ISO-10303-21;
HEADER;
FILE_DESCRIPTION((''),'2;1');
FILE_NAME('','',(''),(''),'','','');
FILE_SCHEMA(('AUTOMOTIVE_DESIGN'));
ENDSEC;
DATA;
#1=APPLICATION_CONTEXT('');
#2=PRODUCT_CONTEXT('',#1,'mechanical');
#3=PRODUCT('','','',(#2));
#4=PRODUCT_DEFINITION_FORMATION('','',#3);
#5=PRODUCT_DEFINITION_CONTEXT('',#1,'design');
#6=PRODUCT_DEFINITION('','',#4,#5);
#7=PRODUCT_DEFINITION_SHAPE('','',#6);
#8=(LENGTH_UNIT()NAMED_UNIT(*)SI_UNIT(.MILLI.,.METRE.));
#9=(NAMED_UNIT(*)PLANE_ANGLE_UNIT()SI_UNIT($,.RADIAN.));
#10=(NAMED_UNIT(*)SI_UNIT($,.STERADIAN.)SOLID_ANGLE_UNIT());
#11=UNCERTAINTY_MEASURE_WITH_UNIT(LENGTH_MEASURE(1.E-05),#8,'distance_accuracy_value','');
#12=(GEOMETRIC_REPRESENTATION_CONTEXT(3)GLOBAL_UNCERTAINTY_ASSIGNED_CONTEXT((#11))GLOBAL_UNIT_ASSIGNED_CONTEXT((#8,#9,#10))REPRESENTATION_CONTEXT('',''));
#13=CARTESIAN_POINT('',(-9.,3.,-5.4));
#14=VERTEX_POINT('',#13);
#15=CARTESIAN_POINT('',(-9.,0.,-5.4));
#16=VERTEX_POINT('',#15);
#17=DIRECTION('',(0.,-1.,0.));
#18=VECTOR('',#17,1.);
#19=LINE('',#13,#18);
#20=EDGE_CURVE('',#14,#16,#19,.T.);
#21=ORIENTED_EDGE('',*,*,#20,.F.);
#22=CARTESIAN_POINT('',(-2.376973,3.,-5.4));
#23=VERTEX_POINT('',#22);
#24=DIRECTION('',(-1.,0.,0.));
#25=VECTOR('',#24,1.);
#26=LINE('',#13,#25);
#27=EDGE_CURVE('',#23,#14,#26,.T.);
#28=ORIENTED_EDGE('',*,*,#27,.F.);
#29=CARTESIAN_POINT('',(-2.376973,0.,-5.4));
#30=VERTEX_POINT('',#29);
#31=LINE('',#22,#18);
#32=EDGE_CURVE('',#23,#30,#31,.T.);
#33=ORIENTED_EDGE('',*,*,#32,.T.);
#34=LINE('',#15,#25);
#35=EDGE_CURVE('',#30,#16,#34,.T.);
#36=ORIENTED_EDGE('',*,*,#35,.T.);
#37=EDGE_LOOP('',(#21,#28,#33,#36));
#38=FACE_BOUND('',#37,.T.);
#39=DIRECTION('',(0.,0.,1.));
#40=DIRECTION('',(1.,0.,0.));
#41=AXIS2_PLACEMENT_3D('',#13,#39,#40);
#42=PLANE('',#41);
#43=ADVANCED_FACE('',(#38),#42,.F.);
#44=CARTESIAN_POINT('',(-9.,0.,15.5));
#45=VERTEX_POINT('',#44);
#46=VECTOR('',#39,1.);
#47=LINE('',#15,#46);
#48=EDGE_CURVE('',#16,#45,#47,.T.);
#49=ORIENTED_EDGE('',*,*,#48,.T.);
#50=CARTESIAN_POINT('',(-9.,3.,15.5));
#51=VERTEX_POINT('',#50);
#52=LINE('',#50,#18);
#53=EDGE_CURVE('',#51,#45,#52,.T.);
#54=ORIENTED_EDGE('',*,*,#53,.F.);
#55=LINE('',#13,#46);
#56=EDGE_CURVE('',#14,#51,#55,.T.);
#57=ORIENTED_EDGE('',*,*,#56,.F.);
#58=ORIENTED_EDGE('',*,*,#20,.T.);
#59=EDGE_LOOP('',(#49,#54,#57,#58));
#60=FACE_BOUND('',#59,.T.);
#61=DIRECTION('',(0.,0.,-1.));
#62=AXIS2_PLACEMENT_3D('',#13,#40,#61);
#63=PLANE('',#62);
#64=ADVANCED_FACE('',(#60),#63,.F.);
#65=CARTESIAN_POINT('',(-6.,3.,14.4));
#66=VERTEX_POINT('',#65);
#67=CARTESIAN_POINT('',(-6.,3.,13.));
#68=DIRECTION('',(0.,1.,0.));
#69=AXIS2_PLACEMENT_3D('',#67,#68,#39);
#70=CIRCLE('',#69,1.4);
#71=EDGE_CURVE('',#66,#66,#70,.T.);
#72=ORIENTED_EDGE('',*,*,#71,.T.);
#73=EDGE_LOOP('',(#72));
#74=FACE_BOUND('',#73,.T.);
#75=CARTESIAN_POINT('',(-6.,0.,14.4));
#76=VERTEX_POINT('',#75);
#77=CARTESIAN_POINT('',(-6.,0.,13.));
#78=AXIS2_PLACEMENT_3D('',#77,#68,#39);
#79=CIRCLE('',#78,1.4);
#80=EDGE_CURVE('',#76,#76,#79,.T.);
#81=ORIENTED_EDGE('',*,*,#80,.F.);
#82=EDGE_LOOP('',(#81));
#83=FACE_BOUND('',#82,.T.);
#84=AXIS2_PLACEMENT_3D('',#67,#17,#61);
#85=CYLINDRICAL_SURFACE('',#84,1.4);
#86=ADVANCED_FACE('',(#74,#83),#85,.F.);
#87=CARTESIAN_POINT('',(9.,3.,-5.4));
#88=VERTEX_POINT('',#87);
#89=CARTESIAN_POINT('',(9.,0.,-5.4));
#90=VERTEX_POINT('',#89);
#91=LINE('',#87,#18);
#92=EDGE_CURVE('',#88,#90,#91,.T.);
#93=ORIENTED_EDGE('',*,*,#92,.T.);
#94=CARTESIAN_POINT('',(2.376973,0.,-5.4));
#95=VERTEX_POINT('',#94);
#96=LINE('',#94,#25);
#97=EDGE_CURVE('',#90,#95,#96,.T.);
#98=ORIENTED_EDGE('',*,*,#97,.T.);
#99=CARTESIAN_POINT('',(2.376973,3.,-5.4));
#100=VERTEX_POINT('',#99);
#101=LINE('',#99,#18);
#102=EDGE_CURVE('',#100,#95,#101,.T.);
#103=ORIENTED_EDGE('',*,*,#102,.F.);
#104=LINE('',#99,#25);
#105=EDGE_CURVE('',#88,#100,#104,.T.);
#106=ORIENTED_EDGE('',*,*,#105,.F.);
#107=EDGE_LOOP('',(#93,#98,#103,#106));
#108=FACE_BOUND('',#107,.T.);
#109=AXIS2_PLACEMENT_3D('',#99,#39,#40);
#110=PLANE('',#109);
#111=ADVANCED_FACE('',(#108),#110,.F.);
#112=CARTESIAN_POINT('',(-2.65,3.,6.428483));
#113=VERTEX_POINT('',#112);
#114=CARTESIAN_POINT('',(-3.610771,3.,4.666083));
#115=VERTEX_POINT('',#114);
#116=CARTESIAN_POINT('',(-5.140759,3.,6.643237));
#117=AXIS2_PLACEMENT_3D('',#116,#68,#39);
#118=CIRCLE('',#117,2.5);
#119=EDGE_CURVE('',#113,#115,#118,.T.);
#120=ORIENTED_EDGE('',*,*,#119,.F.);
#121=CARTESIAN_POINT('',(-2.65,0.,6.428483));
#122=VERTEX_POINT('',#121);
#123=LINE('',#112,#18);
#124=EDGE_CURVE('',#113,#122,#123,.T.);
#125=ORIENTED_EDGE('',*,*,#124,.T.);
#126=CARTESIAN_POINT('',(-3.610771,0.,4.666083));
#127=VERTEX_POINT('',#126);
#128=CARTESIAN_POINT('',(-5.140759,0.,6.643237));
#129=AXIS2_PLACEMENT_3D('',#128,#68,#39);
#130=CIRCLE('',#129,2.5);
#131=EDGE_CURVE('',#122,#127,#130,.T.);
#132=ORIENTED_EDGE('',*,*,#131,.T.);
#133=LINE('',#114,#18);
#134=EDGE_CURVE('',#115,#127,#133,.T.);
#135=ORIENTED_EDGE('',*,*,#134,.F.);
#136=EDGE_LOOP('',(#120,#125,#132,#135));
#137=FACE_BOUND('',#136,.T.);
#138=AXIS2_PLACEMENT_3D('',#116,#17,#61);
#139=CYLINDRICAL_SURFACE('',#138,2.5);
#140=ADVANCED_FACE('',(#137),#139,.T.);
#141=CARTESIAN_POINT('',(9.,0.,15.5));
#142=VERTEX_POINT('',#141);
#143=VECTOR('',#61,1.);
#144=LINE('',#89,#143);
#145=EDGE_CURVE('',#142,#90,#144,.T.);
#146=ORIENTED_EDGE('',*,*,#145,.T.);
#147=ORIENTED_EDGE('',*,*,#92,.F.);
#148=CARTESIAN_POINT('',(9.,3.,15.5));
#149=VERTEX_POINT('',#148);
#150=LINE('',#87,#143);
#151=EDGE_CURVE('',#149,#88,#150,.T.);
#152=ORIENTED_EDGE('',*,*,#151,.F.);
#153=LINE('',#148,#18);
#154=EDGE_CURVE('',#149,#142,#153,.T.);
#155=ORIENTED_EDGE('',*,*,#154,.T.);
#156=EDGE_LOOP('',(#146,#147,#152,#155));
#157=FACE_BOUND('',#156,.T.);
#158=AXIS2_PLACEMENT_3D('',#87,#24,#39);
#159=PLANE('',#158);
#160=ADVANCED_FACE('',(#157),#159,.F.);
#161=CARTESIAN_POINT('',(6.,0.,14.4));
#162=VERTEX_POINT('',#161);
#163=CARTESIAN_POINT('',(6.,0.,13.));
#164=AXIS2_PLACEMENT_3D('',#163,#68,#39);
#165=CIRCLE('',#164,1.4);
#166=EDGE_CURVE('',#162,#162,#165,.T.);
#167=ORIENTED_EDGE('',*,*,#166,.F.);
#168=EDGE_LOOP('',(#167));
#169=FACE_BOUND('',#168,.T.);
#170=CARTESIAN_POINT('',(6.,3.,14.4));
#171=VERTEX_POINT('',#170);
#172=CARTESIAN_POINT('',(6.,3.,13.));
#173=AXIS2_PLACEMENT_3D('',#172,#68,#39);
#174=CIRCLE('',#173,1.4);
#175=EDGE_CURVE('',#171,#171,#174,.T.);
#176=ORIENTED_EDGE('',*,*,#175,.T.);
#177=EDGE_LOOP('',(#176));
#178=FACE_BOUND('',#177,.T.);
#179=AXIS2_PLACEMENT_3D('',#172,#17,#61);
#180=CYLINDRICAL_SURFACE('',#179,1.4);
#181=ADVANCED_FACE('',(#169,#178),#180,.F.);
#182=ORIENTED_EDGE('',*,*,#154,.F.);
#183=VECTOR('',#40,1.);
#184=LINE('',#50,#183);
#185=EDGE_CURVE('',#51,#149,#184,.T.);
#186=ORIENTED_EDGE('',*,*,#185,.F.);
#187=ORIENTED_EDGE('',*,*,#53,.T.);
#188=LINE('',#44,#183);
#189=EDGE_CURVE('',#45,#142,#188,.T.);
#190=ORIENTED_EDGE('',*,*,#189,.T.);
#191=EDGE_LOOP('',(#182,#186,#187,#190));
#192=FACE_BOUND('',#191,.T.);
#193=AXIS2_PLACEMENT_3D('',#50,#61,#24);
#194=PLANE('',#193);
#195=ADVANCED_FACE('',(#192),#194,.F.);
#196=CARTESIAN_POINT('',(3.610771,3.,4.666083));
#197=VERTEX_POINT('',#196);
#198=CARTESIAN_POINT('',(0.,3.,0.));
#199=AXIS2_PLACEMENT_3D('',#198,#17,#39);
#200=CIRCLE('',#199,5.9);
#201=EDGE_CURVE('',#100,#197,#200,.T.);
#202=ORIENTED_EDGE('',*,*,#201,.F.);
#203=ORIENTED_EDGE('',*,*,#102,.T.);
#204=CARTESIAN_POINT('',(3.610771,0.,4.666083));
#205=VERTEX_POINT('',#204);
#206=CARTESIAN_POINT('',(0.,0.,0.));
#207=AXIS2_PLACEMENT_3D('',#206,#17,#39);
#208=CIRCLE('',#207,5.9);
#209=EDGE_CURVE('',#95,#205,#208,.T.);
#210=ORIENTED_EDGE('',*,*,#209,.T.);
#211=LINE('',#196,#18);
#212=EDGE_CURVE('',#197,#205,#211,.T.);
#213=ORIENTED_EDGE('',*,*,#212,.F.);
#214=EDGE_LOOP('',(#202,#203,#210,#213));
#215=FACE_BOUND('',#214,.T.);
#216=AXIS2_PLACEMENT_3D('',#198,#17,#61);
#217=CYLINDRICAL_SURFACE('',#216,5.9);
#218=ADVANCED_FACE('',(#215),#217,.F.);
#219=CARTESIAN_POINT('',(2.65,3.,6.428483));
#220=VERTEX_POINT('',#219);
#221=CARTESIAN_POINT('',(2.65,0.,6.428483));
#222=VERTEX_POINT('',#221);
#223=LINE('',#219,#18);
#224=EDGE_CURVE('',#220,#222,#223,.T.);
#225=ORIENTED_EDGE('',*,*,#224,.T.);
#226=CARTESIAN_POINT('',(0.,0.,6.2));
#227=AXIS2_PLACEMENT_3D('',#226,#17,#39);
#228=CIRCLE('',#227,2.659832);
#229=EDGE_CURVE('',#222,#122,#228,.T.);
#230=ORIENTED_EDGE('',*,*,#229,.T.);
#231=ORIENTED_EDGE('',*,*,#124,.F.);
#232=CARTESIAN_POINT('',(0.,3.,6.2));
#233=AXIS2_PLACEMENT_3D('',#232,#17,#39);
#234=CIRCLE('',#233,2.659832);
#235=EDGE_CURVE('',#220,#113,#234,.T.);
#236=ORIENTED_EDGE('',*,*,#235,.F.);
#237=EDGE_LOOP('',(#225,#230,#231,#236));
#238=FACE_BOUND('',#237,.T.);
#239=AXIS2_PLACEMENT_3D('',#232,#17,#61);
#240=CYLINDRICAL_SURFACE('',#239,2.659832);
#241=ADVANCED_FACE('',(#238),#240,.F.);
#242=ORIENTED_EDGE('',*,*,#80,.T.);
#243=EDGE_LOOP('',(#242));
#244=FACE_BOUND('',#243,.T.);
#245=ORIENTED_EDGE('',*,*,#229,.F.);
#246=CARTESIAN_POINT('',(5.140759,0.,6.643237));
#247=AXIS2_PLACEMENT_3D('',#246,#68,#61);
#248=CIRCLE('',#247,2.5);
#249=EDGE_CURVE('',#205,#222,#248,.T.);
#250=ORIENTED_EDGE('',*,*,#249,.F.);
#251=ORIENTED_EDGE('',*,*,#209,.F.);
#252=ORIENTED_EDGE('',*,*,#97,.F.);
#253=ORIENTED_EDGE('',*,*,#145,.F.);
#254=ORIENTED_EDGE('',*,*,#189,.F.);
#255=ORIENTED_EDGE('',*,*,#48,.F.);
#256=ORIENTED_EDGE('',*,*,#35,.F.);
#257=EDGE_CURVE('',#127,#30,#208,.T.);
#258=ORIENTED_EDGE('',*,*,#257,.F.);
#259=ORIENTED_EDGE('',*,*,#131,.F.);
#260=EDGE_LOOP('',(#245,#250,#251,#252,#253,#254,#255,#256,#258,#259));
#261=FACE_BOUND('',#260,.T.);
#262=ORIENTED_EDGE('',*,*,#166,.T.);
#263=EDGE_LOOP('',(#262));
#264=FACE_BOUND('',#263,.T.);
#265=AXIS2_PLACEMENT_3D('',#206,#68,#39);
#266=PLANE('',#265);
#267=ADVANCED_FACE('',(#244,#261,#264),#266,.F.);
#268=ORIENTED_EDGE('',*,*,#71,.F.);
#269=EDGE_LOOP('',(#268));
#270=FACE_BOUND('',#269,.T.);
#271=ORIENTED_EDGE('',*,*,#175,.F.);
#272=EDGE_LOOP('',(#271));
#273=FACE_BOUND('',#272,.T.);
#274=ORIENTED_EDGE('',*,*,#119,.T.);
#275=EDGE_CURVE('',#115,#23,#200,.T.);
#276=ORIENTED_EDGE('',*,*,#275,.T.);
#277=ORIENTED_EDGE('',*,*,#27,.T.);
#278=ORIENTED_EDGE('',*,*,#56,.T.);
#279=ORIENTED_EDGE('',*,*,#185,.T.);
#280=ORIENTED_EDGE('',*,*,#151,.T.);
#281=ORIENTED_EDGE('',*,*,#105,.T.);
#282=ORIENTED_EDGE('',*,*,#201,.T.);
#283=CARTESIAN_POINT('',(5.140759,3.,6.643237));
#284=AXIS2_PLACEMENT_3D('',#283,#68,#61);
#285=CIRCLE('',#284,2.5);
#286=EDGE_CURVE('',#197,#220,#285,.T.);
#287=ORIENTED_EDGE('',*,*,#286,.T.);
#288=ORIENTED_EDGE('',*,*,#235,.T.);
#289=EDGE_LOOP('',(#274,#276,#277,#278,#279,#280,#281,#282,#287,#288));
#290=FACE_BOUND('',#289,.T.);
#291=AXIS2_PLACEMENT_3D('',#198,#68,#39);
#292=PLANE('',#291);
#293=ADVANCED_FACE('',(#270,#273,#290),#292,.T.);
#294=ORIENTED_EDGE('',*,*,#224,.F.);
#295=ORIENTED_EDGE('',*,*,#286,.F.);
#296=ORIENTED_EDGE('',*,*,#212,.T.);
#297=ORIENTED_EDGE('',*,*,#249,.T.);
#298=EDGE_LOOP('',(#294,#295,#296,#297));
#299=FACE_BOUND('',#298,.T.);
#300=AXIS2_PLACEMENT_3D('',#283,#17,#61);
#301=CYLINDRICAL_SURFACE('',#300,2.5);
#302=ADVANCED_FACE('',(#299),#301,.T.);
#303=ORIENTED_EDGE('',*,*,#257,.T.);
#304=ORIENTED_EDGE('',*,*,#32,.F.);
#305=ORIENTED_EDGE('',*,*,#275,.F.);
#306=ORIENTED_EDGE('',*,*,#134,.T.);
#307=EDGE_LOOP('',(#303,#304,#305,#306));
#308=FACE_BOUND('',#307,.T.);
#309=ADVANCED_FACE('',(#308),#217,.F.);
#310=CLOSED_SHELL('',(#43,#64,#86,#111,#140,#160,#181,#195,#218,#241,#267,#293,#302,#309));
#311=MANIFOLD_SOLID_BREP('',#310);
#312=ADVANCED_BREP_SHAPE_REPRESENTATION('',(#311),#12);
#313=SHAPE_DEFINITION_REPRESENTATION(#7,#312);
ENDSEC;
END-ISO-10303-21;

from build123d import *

# Parameters (mm, degrees)
CROQUIS1_R              = 1.4
SALIENTE_EXTRUIR1_DEPTH = 3


with BuildPart() as part:
    # Croquis1 → Saliente-Extruir1 (new body)
    with BuildSketch(Plane(origin=(0, 0, 0), x_dir=(1, 0, 0), z_dir=(0, 1, 0))):
        with BuildLine():
            Line((2.376972865, 5.4), (9, 5.4))
            Line((9, 5.4), (9, -15.5))
            Line((9, -15.5), (-9, -15.5))
            Line((-9, -15.5), (-9, 5.4))
            Line((-9, 5.4), (-2.376972865, 5.4))
            ThreePointArc((-2.376972865, 5.4), (-5.856174249, 0.717790472), (-3.610771276, -4.666083025))
            ThreePointArc((-3.610771276, -4.666083025), (-2.945738566, -5.446622945), (-2.65, -6.428483309))
            ThreePointArc((-2.65, -6.428483309), (0, -8.859831691), (2.65, -6.428483309))
            ThreePointArc((2.65, -6.428483309), (2.945738566, -5.446622945), (3.610771276, -4.666083025))
            ThreePointArc((3.610771276, -4.666083025), (5.856174249, 0.717790472), (2.376972865, 5.4))
        make_face()
        with Locations((-6, -13)):
            Circle(CROQUIS1_R, mode=Mode.SUBTRACT)
        with Locations((6, -13)):
            Circle(CROQUIS1_R, mode=Mode.SUBTRACT)
    extrude(amount=SALIENTE_EXTRUIR1_DEPTH)


solid = part.part
